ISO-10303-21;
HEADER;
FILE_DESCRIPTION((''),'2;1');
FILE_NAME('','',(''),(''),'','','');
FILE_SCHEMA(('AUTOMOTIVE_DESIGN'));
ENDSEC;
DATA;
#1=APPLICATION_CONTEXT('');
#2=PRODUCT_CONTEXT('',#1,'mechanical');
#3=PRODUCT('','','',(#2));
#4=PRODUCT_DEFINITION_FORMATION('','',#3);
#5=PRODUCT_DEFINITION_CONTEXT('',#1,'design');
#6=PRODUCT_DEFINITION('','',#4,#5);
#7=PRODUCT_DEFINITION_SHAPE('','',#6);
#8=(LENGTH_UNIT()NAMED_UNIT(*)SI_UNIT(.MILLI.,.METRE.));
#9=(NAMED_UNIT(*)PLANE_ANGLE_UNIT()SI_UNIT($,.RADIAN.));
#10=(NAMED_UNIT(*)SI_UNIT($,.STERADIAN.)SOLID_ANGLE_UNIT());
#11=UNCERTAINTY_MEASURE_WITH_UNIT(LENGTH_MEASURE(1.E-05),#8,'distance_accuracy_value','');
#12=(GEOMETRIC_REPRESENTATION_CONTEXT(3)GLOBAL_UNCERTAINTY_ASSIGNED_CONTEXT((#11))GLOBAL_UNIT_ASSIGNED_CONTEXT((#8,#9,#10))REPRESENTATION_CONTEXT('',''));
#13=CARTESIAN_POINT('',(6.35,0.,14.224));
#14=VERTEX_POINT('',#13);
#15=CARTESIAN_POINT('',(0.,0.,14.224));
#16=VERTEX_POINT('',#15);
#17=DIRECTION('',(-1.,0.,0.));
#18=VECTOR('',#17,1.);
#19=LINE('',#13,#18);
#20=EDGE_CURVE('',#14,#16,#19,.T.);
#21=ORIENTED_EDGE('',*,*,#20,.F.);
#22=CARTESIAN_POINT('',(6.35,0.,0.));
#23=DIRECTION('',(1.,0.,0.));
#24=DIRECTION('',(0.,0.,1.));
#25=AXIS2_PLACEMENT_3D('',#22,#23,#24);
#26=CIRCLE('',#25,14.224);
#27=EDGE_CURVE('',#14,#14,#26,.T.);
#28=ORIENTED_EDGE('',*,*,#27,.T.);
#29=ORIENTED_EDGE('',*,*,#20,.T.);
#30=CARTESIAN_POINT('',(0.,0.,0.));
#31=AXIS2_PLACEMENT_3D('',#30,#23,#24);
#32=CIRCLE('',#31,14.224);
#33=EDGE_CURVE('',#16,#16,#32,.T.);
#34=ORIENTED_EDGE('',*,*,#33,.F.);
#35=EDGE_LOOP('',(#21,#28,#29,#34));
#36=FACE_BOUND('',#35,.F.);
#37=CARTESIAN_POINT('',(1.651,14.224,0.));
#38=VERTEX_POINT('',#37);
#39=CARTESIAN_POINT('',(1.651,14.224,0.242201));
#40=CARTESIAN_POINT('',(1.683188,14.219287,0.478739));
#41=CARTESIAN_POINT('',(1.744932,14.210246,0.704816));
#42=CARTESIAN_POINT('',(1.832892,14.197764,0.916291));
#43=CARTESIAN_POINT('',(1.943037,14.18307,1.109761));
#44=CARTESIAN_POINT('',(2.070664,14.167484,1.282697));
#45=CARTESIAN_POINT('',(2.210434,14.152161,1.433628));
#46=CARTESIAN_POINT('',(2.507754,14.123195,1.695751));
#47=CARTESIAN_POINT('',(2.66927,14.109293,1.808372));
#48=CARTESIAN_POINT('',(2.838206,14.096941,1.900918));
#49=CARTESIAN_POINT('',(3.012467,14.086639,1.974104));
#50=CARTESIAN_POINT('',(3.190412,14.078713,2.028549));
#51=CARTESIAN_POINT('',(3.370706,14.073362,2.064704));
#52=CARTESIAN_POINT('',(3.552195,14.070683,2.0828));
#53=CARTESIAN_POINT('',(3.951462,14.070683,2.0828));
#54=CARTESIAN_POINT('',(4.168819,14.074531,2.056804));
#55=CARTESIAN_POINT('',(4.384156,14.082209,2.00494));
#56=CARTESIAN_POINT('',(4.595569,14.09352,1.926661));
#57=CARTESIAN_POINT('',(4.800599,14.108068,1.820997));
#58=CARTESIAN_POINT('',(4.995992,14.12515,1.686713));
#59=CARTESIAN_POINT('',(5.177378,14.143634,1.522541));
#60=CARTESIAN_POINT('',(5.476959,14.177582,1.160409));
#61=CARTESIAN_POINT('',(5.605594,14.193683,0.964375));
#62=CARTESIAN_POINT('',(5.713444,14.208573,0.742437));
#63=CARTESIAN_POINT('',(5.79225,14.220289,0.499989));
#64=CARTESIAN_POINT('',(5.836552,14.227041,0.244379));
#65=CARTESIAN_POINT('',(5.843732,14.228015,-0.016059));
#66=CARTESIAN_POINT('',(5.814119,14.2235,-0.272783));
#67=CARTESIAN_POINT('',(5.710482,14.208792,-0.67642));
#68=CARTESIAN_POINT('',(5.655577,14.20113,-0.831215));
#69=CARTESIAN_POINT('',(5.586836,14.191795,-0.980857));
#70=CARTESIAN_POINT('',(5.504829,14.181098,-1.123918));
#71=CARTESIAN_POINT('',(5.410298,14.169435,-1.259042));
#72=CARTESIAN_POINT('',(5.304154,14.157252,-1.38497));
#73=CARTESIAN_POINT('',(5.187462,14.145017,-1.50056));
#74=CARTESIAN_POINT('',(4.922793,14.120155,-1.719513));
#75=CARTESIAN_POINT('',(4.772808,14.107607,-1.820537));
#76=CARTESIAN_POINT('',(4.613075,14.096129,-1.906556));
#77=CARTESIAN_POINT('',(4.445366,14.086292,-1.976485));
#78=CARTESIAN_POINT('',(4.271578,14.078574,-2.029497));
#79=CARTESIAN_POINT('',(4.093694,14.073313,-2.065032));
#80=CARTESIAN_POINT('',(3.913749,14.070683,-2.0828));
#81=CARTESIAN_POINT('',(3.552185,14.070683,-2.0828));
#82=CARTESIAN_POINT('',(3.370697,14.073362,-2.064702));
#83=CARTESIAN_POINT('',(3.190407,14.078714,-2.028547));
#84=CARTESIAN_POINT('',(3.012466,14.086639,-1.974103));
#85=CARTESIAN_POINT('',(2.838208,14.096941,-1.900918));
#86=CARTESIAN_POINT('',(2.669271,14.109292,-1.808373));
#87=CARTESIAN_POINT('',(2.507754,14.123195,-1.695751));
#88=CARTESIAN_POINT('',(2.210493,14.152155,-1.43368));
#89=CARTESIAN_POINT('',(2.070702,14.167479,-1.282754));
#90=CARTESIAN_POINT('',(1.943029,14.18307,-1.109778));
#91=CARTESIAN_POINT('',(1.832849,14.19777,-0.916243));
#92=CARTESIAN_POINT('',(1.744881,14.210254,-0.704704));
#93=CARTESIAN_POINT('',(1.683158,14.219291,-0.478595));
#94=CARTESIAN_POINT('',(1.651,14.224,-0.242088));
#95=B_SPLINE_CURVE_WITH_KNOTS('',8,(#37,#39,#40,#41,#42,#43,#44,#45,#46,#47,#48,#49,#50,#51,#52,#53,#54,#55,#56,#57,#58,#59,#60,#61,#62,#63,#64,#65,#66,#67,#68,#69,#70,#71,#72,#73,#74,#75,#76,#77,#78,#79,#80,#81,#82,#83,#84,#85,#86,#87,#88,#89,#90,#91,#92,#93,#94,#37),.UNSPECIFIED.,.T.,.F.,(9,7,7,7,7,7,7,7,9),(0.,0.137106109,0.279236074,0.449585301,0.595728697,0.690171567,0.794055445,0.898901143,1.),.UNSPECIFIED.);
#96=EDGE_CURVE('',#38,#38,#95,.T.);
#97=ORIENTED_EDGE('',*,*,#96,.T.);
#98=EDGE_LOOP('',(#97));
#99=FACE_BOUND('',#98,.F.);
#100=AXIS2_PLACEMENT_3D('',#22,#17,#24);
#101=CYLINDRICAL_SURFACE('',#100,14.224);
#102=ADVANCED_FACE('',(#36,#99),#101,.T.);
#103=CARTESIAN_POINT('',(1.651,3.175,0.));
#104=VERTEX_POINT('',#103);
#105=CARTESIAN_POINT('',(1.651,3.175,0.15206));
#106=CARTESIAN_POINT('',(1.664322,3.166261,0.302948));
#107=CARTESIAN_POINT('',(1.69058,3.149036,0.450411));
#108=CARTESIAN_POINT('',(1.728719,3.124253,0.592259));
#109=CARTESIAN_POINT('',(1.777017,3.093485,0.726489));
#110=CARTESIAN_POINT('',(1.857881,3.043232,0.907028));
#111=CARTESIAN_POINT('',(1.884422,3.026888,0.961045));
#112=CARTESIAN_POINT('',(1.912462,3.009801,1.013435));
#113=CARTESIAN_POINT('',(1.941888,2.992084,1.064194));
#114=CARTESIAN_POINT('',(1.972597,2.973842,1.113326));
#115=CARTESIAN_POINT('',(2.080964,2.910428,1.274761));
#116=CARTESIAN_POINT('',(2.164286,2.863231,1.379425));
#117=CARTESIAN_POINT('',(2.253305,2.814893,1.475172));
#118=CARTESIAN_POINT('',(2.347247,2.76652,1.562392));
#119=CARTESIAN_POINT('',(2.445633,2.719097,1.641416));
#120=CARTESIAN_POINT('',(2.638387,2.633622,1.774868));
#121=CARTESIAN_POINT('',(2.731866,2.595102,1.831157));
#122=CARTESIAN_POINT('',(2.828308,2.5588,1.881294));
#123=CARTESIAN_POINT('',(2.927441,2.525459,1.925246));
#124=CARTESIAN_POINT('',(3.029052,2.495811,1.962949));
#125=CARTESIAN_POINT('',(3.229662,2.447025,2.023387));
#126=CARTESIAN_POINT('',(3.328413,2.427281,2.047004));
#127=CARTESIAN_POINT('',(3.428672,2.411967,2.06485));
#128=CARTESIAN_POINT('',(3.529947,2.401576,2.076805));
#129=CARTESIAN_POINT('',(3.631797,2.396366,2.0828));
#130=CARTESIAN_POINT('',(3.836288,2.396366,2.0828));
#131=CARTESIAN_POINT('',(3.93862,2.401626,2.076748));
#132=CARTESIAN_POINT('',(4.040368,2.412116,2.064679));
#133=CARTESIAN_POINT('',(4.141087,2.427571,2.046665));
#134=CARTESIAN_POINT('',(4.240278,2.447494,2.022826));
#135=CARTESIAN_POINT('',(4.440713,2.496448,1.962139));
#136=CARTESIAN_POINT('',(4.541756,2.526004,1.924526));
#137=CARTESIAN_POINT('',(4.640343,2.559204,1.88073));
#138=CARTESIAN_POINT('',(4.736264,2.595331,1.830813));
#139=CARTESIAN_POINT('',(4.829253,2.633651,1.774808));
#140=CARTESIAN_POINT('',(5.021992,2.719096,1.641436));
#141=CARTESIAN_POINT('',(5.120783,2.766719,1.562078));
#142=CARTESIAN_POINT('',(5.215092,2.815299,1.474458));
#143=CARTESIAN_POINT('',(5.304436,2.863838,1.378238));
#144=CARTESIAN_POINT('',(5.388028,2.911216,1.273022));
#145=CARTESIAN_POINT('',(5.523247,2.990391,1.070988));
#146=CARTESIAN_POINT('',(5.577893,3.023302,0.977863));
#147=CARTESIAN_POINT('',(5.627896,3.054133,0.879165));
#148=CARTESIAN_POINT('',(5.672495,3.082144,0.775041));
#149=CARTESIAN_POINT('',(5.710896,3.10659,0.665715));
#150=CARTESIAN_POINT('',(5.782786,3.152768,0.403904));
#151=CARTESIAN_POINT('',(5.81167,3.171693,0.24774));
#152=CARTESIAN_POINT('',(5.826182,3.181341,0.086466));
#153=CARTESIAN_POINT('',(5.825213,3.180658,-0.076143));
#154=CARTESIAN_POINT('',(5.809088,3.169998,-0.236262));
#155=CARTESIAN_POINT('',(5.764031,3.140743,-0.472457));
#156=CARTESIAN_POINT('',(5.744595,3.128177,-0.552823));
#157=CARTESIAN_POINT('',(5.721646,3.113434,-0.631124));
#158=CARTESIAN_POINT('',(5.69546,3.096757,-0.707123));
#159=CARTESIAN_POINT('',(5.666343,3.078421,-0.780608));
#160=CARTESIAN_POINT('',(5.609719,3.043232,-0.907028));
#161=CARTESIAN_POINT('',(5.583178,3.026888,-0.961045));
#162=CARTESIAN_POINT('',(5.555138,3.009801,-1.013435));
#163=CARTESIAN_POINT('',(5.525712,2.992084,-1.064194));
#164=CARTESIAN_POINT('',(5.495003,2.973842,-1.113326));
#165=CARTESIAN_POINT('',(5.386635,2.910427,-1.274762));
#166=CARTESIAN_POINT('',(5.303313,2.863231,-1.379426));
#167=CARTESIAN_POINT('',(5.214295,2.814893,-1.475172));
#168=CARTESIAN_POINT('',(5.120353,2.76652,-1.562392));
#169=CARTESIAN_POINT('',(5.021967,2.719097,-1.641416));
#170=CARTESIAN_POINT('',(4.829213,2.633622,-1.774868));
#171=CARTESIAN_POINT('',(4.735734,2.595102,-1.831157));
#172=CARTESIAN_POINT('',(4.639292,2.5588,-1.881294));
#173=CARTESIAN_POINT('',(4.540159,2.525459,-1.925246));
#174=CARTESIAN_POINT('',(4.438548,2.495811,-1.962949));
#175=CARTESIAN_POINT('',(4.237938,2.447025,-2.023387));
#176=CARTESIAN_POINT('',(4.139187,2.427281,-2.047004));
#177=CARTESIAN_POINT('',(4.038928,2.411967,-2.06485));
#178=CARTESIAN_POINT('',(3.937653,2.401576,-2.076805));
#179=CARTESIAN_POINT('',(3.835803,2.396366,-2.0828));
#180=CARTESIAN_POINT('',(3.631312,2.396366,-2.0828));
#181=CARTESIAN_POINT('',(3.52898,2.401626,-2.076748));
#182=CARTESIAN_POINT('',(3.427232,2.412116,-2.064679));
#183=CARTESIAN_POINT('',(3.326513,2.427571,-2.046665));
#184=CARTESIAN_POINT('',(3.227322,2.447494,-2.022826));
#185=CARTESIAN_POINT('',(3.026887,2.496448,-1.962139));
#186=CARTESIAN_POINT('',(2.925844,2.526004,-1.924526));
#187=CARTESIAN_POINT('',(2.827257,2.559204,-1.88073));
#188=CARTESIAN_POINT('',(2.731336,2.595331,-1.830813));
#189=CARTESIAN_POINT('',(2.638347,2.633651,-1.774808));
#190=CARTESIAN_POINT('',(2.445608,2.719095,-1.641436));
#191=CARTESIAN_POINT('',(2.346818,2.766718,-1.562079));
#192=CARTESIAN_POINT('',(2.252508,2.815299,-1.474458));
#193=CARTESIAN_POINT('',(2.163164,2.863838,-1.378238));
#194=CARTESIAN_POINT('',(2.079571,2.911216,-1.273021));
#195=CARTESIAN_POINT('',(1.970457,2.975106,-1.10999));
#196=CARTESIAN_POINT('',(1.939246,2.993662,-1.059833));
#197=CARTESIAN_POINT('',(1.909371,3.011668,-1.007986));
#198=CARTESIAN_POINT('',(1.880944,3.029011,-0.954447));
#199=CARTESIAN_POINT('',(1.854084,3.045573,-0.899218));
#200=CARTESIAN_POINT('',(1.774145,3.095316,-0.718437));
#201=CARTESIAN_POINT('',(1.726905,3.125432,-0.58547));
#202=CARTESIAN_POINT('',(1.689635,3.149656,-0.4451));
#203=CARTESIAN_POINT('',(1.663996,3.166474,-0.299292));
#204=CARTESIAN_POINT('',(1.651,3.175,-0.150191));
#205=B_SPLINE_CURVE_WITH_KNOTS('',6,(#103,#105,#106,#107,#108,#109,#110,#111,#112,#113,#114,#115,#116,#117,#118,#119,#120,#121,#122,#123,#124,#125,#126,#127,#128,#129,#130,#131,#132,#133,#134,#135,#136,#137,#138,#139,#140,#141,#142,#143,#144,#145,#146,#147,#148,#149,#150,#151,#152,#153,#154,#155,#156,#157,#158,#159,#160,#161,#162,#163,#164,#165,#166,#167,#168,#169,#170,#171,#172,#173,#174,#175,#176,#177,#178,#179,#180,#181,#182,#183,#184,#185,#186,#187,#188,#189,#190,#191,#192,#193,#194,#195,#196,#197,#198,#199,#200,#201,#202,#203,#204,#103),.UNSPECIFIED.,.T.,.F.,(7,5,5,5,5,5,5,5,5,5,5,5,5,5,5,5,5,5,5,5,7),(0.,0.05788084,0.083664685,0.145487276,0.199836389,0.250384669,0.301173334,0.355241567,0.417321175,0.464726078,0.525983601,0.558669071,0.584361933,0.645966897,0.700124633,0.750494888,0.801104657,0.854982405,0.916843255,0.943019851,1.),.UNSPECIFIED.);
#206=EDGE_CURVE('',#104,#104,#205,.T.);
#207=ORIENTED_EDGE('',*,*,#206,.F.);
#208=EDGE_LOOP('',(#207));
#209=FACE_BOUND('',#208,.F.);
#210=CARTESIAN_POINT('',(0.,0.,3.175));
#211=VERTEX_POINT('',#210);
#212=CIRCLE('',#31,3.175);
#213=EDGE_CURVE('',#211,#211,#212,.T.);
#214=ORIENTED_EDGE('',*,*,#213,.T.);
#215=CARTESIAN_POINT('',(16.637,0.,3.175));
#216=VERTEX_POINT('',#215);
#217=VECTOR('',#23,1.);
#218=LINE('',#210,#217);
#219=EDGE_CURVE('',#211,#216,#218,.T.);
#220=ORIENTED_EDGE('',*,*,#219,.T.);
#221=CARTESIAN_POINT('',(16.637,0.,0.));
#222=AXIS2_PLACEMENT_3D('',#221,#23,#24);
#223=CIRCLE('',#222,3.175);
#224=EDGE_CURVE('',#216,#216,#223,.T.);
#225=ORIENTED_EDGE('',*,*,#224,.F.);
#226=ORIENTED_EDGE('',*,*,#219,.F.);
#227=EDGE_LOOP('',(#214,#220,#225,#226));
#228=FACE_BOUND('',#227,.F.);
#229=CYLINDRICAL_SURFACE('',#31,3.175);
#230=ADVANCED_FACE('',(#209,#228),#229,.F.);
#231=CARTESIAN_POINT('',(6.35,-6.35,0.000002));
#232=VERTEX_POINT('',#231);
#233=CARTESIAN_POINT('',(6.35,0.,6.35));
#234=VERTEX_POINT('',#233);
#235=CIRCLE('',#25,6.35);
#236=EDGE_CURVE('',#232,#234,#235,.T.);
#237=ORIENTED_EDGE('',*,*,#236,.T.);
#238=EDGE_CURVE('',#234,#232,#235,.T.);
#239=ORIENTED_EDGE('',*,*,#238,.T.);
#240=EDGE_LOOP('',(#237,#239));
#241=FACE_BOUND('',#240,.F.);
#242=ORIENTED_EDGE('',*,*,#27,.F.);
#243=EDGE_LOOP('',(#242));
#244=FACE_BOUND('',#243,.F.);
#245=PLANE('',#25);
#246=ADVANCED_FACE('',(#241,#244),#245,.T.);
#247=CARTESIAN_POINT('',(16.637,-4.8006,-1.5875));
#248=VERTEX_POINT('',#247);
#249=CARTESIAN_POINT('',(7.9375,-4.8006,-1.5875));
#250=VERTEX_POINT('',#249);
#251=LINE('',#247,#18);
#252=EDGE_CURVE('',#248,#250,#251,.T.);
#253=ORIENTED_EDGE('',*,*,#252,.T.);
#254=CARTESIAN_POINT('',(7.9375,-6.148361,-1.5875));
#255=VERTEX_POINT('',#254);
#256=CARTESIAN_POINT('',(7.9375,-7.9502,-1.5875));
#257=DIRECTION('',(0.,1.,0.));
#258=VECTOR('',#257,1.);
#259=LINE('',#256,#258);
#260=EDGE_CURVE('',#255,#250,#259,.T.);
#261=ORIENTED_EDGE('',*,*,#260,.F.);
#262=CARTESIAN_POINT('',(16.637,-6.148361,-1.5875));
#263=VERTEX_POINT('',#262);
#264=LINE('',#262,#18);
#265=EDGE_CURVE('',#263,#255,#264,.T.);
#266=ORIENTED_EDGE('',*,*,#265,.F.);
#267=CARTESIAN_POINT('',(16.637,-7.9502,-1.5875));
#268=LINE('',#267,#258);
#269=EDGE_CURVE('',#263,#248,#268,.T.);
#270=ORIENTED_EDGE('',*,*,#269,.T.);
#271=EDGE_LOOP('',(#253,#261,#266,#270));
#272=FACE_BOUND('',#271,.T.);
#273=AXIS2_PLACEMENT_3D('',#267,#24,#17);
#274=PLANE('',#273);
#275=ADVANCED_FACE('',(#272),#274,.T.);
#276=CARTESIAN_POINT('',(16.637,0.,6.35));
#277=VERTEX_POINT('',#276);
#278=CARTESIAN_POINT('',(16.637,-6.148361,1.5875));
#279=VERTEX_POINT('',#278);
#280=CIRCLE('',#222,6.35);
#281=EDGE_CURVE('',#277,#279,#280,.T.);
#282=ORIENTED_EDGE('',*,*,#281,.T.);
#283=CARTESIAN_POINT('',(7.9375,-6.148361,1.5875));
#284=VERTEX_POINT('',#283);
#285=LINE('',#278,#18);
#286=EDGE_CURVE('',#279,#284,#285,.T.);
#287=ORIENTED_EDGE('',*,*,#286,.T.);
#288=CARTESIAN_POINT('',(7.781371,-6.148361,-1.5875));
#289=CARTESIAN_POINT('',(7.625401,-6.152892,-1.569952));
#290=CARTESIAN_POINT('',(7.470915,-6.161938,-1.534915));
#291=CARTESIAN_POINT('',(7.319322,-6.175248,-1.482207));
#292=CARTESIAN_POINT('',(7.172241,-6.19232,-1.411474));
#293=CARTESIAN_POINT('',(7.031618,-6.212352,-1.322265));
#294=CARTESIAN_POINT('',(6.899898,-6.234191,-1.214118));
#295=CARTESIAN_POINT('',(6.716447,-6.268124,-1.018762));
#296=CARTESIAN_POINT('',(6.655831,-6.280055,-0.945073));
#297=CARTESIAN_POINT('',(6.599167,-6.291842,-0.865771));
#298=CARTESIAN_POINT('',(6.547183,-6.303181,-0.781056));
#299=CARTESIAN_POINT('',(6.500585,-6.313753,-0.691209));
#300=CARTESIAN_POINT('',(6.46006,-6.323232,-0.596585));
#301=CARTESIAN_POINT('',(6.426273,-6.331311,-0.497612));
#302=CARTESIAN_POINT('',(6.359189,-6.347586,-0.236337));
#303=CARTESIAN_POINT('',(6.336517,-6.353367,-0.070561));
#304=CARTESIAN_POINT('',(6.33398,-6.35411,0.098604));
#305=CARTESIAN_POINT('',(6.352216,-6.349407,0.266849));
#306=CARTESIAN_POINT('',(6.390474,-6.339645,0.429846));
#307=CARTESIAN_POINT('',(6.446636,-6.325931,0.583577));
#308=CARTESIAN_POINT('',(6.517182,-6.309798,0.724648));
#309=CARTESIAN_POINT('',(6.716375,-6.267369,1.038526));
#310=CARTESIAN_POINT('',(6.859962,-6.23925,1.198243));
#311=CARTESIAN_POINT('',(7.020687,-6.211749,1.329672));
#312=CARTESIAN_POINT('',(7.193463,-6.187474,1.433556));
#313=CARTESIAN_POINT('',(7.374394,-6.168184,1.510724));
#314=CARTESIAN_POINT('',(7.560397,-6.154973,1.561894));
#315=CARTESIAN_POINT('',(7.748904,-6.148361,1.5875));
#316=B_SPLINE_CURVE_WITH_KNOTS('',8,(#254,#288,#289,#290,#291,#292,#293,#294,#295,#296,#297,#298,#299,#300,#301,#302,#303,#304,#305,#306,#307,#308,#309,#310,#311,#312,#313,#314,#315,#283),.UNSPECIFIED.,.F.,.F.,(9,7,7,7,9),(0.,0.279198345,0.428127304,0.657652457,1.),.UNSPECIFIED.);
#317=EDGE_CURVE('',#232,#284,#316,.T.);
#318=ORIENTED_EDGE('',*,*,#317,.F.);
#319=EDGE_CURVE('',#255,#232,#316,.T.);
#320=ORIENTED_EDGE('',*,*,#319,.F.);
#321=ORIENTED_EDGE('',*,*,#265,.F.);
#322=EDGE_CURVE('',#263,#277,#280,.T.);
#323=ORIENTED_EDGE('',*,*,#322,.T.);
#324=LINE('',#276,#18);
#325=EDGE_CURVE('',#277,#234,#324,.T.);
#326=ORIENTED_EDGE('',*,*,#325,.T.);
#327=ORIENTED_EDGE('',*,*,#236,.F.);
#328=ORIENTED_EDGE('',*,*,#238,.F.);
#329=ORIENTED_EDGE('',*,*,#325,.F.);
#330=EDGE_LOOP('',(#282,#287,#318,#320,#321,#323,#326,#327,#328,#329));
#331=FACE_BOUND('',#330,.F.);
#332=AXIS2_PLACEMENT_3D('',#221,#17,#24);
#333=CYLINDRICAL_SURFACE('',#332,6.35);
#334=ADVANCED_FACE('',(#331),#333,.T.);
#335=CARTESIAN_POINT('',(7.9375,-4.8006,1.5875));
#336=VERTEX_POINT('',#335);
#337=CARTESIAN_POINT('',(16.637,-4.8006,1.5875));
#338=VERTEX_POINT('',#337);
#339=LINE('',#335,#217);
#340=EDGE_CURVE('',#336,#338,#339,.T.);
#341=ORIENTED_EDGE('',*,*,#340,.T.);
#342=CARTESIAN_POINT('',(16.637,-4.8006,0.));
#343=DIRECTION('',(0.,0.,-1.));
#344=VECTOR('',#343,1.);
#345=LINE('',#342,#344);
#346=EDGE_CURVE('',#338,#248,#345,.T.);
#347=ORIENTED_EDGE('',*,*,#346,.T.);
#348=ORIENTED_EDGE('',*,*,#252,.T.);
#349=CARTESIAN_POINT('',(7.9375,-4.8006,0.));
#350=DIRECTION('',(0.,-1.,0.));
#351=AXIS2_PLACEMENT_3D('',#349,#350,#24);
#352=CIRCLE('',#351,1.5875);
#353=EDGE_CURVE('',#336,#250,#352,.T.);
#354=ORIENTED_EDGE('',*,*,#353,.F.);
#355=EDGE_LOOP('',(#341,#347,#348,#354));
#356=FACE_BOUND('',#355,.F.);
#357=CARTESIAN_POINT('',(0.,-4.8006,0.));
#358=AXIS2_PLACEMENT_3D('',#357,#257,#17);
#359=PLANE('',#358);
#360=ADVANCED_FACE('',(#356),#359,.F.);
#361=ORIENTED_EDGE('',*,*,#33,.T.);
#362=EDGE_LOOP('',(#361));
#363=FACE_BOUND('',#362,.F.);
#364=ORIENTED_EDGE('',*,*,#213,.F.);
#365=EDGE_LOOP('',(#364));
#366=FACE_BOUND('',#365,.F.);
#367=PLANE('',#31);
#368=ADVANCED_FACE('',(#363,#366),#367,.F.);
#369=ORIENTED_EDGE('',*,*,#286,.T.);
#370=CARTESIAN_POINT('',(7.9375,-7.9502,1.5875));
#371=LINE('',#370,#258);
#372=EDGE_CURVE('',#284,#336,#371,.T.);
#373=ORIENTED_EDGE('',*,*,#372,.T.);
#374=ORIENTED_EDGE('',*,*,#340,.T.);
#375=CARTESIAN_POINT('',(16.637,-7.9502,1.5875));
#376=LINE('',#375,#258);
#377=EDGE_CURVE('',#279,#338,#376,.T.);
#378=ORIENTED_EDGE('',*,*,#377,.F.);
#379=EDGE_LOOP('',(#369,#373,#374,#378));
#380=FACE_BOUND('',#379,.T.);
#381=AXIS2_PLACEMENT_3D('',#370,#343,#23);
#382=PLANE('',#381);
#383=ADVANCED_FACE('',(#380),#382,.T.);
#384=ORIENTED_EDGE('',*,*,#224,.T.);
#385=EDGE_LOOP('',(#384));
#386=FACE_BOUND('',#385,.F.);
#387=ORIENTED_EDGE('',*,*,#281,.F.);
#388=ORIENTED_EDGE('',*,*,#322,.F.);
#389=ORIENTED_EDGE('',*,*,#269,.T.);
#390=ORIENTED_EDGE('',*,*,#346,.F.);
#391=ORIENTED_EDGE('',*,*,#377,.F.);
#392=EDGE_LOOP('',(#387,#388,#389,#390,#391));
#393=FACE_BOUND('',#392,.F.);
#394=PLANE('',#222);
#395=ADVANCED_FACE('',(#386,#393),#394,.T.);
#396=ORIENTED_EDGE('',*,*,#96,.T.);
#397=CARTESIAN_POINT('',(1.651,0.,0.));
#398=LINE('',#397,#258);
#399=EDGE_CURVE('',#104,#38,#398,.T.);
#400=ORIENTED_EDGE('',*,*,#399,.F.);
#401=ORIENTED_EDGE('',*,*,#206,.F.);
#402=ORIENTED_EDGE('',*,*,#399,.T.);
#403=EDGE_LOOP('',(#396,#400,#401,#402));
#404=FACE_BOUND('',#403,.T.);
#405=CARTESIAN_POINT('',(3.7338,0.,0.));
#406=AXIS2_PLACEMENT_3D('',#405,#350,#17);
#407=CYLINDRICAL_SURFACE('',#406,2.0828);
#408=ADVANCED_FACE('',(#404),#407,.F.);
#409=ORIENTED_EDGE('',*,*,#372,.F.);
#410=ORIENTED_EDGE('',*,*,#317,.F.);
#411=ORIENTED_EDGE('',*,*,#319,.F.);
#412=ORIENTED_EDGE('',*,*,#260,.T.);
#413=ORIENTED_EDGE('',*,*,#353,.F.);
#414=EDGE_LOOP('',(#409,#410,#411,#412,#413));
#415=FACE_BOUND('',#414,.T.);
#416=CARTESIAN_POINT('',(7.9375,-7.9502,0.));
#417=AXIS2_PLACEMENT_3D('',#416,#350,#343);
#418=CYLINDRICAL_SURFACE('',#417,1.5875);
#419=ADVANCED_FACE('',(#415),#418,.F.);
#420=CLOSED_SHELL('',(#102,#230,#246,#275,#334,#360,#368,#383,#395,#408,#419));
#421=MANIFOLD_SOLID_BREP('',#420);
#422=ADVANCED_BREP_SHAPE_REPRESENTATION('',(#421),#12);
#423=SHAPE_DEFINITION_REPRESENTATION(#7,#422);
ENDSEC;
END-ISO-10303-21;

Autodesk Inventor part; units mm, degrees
ref_plane "YZ Plane" through (0, 0, 0) normal (1, 0, 0) x (0, 1, 0)
ref_plane "XY Plane" through (0, 0, 0) normal (0, 0, 1) x (1, 0, 0)
sketch "Sketch1" plane through (0, 0, 0) normal (0, 1, 0) x (-1, 0, 0)
  line L0 (0, 0) -> (-16.637, 0)
  line L1 (0, 3.175) -> (-16.637, 3.175)
  line L2 (-16.637, 3.175) -> (-16.637, 6.35)
  line L3 (-16.637, 6.35) -> (-6.35, 6.35)
  line L4 (-6.35, 6.35) -> (-6.35, 14.224)
  line L5 (-6.35, 14.224) -> (0, 14.224)
  line L6 (0, 14.224) -> (0, 3.175)
  dimension "d0" = 12.7
  dimension "d1" = 6.35
  dimension "d2" = 10.287
  dimension "d4" = 28.448
  dimension "d5" = 6.35
revolve "Revolution1" add sketch "Sketch1" angle 360 about axis through (0, 0, 0) along (1, 0, 0)
sketch "Sketch2" plane through (0, 0, 0) normal (0, 1, 0) x (-1, 0, 0)
  circle A0 centre (-3.7338, 0) radius 2.0828
  line L0 (-3.7338, 0) -> (-16.637, 0) construction
  line L1 (-16.637, -3.175) -> (-16.637, 3.175) projected
  line L2 (-1.651, -4.0967) -> (-1.651, 3.8062) construction
  point P0 (0, 0)
  dimension "d7" = 4.1656
  dimension "d8" = 14.986
extrude "Extrusion1" cut sketch "Sketch2" along normal blind 25.4
ref_plane "Work Plane1" through (0, -7.9502, 0) normal (0, 1, 0) x (-1, 0, 0)
sketch "Sketch3" plane through (0, -7.9502, 0) normal (0, 1, 0) x (-1, 0, 0)
  line L0 (-7.9375, 0) -> (-16.637, 0) construction
  line L1 (-7.9375, 1.5875) -> (-16.637, 1.5875)
  line L2 (-16.637, -1.5875) -> (-7.9375, -1.5875)
  arc A0 (-7.9375, -1.5875) -> (-7.9375, 1.5875) centre (-7.9375, 0) ccw
  arc A1 (-16.637, 1.5875) -> (-16.637, -1.5875) centre (-16.637, 0) ccw
  line L3 (-6.35, -14.224) -> (-6.35, 14.224) projected
  line L4 (-16.637, -6.35) -> (-16.637, 6.35) projected
  point P0 (0, 0)
  point P1 (-12.2873, 0)
  dimension "d12" = 1.5875
extrude "Extrusion2" cut sketch "Sketch3" along normal blind 3.1496
properties part number "StepperAdapter" material "Aluminum 6061"
